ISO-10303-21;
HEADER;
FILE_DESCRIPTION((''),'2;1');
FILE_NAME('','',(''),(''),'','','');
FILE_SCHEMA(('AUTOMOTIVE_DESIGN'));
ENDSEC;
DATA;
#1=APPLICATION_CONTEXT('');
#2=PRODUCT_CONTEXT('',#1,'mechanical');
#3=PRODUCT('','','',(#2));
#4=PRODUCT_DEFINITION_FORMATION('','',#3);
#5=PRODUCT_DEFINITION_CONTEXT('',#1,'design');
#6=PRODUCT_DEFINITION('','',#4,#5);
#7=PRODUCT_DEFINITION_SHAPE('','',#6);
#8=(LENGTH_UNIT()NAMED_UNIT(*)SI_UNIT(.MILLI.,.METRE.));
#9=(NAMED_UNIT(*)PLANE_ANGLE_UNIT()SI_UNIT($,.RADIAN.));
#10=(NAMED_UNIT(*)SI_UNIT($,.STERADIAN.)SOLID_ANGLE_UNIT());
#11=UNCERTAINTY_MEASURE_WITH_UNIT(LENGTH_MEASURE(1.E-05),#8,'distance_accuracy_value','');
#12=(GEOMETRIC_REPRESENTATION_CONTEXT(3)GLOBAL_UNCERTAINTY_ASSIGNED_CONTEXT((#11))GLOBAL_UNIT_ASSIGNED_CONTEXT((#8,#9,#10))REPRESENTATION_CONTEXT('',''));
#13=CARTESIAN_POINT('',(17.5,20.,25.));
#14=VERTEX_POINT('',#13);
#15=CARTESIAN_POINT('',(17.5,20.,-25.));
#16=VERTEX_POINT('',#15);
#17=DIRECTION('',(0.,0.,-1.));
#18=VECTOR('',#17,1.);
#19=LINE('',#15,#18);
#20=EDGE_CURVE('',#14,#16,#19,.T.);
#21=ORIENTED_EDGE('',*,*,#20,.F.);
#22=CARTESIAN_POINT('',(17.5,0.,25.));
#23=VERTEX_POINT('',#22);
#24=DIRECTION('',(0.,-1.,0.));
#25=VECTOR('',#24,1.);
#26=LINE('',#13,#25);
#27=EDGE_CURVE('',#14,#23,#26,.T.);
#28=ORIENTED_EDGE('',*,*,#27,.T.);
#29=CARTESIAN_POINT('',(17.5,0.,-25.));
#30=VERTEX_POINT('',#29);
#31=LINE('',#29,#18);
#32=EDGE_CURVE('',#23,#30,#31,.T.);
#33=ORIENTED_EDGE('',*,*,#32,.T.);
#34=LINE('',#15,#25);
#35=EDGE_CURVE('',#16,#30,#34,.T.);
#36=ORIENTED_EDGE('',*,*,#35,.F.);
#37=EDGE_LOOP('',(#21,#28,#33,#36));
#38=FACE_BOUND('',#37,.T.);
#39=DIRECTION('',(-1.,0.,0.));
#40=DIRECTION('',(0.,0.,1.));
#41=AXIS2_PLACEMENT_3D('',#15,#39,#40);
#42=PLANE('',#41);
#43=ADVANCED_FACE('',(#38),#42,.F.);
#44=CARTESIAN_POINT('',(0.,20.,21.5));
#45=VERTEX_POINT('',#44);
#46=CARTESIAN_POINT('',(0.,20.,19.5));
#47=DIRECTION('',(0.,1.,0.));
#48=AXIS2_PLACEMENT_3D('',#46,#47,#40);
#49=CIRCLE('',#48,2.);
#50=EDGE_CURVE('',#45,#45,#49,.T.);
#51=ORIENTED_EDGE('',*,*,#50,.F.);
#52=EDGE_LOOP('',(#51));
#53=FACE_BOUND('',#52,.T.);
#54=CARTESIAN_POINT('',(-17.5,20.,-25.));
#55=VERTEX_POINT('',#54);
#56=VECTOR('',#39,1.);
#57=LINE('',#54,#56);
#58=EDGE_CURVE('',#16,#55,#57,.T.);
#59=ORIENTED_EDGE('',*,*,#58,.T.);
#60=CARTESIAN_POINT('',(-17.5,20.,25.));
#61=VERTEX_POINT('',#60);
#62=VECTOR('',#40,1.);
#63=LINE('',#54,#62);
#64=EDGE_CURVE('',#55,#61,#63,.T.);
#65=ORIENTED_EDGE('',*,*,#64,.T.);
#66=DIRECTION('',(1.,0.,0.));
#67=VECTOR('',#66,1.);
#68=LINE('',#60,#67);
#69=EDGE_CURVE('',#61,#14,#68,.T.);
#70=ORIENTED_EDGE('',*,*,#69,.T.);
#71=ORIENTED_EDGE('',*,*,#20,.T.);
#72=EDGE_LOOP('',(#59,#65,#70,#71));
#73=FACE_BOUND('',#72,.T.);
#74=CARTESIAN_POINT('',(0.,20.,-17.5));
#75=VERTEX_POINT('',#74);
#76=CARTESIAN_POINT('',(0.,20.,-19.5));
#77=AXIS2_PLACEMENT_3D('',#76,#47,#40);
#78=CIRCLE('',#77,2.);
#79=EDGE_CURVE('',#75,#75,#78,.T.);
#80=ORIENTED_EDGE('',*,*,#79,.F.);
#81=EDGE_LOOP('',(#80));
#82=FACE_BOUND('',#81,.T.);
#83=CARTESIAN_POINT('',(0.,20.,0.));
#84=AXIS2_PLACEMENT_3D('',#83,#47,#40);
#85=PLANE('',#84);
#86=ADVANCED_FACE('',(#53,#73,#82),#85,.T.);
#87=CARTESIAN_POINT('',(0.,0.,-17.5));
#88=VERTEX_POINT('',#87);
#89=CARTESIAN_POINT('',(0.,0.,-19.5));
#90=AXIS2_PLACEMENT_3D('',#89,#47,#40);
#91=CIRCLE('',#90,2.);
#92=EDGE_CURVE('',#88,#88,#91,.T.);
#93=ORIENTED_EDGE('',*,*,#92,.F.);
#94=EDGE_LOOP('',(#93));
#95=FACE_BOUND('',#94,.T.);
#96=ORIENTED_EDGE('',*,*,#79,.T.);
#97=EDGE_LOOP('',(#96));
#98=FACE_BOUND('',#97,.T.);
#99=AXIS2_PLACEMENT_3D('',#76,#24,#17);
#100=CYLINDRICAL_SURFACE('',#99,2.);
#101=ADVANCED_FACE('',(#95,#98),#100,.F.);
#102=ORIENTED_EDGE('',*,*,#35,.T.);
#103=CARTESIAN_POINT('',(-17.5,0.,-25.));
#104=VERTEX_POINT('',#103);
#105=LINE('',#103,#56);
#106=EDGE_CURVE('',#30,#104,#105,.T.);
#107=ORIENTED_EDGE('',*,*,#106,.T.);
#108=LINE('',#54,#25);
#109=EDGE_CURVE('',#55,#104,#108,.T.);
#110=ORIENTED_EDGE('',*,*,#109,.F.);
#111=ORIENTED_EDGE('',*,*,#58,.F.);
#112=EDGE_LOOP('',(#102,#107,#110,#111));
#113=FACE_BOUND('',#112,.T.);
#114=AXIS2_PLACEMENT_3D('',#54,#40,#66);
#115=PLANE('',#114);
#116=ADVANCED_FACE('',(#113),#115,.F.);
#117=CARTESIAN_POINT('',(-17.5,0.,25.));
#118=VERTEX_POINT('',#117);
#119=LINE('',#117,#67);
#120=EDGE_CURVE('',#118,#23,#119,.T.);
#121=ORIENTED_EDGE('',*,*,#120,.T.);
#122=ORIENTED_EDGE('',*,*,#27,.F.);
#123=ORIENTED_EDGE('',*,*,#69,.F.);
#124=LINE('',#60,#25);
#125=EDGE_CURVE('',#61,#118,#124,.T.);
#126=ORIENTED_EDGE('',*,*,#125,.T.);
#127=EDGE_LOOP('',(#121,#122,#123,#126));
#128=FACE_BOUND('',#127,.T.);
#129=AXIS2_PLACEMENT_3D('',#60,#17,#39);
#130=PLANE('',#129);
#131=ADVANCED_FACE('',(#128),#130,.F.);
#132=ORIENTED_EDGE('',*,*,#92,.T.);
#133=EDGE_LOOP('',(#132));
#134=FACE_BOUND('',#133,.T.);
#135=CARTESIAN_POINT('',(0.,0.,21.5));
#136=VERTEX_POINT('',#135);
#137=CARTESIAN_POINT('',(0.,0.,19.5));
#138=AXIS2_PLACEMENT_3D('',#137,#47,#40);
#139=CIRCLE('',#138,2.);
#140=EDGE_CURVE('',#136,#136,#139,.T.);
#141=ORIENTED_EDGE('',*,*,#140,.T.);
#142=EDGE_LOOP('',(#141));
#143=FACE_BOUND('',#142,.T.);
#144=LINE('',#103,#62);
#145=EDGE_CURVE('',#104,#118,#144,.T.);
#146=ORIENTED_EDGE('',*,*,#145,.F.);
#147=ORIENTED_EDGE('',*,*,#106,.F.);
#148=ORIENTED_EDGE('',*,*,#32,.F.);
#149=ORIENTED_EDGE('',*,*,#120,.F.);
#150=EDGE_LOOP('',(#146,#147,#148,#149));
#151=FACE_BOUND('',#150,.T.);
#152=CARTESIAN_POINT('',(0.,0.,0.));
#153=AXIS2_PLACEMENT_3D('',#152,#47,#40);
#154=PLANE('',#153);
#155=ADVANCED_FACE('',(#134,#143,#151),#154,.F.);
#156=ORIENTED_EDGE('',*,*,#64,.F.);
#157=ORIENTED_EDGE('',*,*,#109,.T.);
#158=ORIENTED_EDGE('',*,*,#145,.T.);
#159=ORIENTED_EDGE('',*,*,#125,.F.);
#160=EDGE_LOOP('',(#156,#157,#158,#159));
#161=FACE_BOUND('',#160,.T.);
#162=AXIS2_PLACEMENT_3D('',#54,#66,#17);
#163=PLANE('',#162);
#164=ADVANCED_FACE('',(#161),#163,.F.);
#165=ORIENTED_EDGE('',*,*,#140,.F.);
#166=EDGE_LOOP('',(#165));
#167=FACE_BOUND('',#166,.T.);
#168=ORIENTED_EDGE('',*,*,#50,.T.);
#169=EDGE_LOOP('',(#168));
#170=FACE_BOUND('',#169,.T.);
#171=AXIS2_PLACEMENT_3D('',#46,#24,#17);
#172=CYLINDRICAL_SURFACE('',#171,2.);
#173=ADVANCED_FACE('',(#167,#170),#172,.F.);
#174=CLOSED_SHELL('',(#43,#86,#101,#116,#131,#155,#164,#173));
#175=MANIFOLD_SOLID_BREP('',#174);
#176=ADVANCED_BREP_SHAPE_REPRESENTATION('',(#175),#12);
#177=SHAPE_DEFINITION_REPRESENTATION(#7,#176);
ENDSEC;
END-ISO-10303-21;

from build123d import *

# Parameters (mm, degrees)
SKETCH_1_W      = 35
SKETCH_1_H      = 50
SKETCH_1_R      = 2
EXTRUDE_1_DEPTH = 20


with BuildPart() as part:
    # 草图1 → 凸台-拉伸1 (new body)
    with BuildSketch(Plane(origin=(0, 0, 0), x_dir=(1, 0, 0), z_dir=(0, 1, 0))):
        Rectangle(SKETCH_1_W, SKETCH_1_H)
        with Locations(Location((0, 19.5, 0), (0, 0, 270))):
            Circle(SKETCH_1_R, mode=Mode.SUBTRACT)
        with Locations(Location((0, -19.5, 0), (0, 0, 270))):
            Circle(SKETCH_1_R, mode=Mode.SUBTRACT)
    extrude(amount=EXTRUDE_1_DEPTH)


solid = part.part
